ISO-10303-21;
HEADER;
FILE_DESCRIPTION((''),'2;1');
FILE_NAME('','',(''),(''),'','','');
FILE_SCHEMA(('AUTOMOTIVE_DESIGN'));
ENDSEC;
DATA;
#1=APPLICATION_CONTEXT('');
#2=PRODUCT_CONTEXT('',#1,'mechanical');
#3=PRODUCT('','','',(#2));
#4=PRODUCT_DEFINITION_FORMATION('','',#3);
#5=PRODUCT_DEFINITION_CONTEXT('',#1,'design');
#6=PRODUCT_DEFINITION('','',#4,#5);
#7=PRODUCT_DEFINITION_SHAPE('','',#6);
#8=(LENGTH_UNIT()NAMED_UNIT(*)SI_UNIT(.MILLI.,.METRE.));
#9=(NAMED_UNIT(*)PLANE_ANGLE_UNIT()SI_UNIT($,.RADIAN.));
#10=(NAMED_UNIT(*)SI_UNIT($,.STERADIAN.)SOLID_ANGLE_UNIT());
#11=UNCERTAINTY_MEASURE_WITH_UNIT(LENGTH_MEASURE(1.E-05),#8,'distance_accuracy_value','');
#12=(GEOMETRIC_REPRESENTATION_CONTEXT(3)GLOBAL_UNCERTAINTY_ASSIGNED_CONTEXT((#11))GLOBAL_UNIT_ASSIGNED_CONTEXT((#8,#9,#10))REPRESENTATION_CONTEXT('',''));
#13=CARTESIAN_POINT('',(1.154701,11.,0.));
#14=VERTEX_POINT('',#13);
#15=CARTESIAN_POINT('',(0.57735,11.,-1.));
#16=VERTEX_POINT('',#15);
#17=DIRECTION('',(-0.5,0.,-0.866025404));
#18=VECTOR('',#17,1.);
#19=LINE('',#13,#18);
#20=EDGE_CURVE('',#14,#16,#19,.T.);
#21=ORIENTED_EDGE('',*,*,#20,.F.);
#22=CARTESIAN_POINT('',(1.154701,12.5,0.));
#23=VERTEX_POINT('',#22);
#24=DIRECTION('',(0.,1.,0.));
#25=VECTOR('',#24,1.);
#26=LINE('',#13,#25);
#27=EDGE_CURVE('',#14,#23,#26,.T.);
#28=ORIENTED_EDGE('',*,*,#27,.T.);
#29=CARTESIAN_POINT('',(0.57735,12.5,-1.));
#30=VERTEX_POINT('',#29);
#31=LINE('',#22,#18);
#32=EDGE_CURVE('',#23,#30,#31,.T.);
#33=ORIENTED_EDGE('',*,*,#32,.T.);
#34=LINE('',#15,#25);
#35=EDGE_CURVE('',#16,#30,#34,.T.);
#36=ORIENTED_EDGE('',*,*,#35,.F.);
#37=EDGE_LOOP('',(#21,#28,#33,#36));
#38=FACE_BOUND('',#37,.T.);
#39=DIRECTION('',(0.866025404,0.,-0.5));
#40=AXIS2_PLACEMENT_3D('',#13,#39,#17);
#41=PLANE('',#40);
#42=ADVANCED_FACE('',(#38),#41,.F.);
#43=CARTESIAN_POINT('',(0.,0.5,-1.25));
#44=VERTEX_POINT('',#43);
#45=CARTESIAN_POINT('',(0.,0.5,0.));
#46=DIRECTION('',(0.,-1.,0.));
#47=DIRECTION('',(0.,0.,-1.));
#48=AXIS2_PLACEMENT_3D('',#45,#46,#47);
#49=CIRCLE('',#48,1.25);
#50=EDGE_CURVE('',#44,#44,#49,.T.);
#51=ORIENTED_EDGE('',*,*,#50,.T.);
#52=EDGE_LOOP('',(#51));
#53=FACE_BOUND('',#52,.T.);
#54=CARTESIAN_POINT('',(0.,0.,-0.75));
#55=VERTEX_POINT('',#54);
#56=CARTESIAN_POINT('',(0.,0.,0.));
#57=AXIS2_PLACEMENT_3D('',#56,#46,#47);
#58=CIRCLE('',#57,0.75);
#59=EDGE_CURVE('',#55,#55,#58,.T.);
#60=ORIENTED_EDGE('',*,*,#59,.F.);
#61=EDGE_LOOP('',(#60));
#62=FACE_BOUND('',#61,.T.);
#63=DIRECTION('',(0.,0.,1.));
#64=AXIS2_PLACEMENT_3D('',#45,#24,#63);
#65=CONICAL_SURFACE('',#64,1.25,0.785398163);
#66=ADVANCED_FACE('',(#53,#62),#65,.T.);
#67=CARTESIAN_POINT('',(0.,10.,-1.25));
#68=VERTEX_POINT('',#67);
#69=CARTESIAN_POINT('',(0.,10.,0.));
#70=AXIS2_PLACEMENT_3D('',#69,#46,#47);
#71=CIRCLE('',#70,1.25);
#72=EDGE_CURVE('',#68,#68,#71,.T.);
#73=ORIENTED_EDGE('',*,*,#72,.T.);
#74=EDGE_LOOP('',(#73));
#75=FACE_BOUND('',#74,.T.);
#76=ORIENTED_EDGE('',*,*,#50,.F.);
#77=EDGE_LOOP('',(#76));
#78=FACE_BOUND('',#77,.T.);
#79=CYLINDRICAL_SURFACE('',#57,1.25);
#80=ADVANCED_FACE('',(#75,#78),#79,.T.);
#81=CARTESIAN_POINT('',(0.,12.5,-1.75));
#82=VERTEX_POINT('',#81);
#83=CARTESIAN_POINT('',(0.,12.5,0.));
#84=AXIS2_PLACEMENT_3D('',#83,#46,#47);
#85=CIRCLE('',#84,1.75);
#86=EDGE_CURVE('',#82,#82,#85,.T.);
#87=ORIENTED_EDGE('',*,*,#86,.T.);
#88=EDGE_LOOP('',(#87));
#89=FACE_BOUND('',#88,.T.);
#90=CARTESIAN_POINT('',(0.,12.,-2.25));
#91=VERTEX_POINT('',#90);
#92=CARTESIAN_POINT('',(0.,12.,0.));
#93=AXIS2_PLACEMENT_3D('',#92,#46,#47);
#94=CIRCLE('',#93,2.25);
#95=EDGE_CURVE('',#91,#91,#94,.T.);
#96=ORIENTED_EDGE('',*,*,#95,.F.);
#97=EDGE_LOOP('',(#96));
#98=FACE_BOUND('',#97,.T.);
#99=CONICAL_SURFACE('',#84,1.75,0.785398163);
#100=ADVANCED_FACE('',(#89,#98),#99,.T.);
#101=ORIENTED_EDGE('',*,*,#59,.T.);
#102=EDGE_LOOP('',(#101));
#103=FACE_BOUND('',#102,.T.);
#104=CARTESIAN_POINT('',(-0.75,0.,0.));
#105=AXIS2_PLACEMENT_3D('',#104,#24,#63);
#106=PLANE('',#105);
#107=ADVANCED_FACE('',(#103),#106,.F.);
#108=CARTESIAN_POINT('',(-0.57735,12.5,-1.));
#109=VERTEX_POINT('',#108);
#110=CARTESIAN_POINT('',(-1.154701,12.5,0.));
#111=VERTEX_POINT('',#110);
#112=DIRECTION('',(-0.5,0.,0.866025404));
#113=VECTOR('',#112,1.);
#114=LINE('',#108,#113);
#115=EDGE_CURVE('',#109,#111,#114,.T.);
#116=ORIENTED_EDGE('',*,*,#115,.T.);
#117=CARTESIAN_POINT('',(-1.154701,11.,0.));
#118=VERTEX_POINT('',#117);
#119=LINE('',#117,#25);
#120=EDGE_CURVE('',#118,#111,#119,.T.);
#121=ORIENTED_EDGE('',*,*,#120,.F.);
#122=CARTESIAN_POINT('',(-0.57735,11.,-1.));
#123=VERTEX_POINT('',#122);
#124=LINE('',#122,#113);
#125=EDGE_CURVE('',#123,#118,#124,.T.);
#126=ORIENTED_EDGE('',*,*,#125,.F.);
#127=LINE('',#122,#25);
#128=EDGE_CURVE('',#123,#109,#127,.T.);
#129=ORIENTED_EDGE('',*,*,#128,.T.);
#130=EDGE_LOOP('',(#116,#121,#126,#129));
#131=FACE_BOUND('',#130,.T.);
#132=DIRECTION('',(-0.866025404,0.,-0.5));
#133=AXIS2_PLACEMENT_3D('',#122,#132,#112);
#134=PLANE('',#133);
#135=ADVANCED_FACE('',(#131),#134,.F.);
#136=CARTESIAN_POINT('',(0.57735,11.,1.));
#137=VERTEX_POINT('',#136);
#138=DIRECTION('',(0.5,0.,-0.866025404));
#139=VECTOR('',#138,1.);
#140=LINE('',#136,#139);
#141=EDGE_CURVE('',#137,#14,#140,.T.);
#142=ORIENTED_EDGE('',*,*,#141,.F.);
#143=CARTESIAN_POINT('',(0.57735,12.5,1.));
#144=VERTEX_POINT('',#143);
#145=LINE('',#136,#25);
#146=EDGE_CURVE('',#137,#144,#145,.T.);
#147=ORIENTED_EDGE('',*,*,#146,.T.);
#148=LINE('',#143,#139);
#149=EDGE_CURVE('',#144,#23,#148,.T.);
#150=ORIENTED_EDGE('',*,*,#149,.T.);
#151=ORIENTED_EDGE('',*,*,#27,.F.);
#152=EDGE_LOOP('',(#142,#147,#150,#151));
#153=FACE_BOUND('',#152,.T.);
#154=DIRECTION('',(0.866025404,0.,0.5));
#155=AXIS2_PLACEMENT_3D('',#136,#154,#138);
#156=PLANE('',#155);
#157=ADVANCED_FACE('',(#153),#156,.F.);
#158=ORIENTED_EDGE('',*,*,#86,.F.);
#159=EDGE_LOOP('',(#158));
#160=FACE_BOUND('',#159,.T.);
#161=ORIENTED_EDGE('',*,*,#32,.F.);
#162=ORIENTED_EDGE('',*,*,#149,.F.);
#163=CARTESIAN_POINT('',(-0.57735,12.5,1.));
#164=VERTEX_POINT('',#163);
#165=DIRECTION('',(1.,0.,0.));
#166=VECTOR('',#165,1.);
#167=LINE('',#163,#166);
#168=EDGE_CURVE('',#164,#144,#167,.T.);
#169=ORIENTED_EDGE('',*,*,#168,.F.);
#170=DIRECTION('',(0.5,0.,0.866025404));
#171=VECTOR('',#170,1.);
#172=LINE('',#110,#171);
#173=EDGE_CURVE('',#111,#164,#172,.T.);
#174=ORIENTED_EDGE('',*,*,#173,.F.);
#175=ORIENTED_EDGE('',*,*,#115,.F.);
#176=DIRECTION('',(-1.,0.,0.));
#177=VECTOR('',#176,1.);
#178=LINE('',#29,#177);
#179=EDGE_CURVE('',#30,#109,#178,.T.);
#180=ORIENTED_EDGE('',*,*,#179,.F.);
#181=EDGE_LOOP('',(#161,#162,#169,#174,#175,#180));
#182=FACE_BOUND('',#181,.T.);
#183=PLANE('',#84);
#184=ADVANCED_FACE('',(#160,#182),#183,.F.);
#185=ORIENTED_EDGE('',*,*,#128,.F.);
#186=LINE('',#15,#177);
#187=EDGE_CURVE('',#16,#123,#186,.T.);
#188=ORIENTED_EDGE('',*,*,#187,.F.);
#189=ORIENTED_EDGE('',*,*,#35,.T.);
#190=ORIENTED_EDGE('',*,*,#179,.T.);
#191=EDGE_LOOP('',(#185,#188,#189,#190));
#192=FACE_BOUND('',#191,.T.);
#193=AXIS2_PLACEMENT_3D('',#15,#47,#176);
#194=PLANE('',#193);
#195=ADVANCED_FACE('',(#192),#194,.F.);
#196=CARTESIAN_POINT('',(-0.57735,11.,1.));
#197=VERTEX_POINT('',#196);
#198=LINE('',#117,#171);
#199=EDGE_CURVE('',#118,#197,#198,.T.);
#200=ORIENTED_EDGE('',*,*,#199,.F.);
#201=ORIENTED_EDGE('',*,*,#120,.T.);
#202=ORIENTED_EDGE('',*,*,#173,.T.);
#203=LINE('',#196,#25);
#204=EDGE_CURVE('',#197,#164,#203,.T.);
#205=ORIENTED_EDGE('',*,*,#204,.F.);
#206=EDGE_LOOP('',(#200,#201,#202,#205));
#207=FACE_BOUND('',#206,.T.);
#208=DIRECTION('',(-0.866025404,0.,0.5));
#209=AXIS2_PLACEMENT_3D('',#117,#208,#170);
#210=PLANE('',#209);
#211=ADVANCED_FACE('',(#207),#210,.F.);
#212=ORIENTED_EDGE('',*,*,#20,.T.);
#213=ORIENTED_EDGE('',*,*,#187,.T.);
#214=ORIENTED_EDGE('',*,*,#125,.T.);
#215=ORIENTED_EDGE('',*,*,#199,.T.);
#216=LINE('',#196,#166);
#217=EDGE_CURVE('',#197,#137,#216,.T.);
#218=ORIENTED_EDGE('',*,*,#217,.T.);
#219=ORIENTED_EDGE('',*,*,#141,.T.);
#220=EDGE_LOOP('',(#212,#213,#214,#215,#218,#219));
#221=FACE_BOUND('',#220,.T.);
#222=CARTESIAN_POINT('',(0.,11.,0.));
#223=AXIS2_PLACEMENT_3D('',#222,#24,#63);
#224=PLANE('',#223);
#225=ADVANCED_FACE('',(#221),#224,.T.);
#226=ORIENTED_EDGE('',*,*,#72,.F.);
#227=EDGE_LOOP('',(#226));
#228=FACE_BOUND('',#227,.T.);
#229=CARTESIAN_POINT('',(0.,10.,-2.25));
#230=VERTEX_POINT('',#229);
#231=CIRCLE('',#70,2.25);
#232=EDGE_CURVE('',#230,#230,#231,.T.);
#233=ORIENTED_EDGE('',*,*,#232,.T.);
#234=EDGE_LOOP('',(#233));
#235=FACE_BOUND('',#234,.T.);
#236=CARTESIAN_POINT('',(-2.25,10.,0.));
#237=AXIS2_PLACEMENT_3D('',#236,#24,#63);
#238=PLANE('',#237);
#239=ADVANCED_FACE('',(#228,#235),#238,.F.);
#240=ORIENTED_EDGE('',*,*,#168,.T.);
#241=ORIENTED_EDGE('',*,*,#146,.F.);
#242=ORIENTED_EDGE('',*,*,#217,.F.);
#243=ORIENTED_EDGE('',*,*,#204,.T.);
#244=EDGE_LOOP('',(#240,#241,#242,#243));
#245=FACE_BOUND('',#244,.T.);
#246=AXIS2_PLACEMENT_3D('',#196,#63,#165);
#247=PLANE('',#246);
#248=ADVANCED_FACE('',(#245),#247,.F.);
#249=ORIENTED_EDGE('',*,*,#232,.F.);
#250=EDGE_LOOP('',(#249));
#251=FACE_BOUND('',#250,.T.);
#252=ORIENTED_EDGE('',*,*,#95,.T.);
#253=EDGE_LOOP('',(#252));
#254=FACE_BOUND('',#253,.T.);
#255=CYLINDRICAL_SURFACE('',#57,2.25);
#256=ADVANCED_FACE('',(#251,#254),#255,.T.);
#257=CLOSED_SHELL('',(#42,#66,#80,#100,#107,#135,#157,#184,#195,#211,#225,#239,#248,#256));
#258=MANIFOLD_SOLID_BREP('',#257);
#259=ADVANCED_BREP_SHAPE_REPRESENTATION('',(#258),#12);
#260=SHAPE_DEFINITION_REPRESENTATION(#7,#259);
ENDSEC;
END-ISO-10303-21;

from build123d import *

# Parameters (mm, degrees)
CUT_EXTRUDE1_DEPTH = 1.5


with BuildPart() as part:
    # Sketch1 → Revolve1 (revolve)
    with BuildSketch(Plane.XY, mode=Mode.PRIVATE) as revolve1_sk:
        Polygon((0, 12.5), (-1.75, 12.5), (-2.25, 12), (-2.25, 10), (-1.25, 10), (-1.25, 0.5), (-0.75, 0), (0, 0), align=None)
    revolve(revolve1_sk.sketch.rotate(Axis((0, 0, 0), (0, 1, 0)), 270), axis=Axis((0, 0, 0), (0, 1, 0)))

    # Sketch2 → Cut-Extrude1 (cut)
    with BuildSketch(Plane(origin=(0, 12.5, 0), x_dir=(1, 0, 0), z_dir=(0, 1, 0))):
        Polygon((-1.154700538, 0), (-0.577350269, -1), (0.577350269, -1), (1.154700538, 0), (0.577350269, 1), (-0.577350269, 1), align=None)
    extrude(amount=-CUT_EXTRUDE1_DEPTH, mode=Mode.SUBTRACT)


solid = part.part
